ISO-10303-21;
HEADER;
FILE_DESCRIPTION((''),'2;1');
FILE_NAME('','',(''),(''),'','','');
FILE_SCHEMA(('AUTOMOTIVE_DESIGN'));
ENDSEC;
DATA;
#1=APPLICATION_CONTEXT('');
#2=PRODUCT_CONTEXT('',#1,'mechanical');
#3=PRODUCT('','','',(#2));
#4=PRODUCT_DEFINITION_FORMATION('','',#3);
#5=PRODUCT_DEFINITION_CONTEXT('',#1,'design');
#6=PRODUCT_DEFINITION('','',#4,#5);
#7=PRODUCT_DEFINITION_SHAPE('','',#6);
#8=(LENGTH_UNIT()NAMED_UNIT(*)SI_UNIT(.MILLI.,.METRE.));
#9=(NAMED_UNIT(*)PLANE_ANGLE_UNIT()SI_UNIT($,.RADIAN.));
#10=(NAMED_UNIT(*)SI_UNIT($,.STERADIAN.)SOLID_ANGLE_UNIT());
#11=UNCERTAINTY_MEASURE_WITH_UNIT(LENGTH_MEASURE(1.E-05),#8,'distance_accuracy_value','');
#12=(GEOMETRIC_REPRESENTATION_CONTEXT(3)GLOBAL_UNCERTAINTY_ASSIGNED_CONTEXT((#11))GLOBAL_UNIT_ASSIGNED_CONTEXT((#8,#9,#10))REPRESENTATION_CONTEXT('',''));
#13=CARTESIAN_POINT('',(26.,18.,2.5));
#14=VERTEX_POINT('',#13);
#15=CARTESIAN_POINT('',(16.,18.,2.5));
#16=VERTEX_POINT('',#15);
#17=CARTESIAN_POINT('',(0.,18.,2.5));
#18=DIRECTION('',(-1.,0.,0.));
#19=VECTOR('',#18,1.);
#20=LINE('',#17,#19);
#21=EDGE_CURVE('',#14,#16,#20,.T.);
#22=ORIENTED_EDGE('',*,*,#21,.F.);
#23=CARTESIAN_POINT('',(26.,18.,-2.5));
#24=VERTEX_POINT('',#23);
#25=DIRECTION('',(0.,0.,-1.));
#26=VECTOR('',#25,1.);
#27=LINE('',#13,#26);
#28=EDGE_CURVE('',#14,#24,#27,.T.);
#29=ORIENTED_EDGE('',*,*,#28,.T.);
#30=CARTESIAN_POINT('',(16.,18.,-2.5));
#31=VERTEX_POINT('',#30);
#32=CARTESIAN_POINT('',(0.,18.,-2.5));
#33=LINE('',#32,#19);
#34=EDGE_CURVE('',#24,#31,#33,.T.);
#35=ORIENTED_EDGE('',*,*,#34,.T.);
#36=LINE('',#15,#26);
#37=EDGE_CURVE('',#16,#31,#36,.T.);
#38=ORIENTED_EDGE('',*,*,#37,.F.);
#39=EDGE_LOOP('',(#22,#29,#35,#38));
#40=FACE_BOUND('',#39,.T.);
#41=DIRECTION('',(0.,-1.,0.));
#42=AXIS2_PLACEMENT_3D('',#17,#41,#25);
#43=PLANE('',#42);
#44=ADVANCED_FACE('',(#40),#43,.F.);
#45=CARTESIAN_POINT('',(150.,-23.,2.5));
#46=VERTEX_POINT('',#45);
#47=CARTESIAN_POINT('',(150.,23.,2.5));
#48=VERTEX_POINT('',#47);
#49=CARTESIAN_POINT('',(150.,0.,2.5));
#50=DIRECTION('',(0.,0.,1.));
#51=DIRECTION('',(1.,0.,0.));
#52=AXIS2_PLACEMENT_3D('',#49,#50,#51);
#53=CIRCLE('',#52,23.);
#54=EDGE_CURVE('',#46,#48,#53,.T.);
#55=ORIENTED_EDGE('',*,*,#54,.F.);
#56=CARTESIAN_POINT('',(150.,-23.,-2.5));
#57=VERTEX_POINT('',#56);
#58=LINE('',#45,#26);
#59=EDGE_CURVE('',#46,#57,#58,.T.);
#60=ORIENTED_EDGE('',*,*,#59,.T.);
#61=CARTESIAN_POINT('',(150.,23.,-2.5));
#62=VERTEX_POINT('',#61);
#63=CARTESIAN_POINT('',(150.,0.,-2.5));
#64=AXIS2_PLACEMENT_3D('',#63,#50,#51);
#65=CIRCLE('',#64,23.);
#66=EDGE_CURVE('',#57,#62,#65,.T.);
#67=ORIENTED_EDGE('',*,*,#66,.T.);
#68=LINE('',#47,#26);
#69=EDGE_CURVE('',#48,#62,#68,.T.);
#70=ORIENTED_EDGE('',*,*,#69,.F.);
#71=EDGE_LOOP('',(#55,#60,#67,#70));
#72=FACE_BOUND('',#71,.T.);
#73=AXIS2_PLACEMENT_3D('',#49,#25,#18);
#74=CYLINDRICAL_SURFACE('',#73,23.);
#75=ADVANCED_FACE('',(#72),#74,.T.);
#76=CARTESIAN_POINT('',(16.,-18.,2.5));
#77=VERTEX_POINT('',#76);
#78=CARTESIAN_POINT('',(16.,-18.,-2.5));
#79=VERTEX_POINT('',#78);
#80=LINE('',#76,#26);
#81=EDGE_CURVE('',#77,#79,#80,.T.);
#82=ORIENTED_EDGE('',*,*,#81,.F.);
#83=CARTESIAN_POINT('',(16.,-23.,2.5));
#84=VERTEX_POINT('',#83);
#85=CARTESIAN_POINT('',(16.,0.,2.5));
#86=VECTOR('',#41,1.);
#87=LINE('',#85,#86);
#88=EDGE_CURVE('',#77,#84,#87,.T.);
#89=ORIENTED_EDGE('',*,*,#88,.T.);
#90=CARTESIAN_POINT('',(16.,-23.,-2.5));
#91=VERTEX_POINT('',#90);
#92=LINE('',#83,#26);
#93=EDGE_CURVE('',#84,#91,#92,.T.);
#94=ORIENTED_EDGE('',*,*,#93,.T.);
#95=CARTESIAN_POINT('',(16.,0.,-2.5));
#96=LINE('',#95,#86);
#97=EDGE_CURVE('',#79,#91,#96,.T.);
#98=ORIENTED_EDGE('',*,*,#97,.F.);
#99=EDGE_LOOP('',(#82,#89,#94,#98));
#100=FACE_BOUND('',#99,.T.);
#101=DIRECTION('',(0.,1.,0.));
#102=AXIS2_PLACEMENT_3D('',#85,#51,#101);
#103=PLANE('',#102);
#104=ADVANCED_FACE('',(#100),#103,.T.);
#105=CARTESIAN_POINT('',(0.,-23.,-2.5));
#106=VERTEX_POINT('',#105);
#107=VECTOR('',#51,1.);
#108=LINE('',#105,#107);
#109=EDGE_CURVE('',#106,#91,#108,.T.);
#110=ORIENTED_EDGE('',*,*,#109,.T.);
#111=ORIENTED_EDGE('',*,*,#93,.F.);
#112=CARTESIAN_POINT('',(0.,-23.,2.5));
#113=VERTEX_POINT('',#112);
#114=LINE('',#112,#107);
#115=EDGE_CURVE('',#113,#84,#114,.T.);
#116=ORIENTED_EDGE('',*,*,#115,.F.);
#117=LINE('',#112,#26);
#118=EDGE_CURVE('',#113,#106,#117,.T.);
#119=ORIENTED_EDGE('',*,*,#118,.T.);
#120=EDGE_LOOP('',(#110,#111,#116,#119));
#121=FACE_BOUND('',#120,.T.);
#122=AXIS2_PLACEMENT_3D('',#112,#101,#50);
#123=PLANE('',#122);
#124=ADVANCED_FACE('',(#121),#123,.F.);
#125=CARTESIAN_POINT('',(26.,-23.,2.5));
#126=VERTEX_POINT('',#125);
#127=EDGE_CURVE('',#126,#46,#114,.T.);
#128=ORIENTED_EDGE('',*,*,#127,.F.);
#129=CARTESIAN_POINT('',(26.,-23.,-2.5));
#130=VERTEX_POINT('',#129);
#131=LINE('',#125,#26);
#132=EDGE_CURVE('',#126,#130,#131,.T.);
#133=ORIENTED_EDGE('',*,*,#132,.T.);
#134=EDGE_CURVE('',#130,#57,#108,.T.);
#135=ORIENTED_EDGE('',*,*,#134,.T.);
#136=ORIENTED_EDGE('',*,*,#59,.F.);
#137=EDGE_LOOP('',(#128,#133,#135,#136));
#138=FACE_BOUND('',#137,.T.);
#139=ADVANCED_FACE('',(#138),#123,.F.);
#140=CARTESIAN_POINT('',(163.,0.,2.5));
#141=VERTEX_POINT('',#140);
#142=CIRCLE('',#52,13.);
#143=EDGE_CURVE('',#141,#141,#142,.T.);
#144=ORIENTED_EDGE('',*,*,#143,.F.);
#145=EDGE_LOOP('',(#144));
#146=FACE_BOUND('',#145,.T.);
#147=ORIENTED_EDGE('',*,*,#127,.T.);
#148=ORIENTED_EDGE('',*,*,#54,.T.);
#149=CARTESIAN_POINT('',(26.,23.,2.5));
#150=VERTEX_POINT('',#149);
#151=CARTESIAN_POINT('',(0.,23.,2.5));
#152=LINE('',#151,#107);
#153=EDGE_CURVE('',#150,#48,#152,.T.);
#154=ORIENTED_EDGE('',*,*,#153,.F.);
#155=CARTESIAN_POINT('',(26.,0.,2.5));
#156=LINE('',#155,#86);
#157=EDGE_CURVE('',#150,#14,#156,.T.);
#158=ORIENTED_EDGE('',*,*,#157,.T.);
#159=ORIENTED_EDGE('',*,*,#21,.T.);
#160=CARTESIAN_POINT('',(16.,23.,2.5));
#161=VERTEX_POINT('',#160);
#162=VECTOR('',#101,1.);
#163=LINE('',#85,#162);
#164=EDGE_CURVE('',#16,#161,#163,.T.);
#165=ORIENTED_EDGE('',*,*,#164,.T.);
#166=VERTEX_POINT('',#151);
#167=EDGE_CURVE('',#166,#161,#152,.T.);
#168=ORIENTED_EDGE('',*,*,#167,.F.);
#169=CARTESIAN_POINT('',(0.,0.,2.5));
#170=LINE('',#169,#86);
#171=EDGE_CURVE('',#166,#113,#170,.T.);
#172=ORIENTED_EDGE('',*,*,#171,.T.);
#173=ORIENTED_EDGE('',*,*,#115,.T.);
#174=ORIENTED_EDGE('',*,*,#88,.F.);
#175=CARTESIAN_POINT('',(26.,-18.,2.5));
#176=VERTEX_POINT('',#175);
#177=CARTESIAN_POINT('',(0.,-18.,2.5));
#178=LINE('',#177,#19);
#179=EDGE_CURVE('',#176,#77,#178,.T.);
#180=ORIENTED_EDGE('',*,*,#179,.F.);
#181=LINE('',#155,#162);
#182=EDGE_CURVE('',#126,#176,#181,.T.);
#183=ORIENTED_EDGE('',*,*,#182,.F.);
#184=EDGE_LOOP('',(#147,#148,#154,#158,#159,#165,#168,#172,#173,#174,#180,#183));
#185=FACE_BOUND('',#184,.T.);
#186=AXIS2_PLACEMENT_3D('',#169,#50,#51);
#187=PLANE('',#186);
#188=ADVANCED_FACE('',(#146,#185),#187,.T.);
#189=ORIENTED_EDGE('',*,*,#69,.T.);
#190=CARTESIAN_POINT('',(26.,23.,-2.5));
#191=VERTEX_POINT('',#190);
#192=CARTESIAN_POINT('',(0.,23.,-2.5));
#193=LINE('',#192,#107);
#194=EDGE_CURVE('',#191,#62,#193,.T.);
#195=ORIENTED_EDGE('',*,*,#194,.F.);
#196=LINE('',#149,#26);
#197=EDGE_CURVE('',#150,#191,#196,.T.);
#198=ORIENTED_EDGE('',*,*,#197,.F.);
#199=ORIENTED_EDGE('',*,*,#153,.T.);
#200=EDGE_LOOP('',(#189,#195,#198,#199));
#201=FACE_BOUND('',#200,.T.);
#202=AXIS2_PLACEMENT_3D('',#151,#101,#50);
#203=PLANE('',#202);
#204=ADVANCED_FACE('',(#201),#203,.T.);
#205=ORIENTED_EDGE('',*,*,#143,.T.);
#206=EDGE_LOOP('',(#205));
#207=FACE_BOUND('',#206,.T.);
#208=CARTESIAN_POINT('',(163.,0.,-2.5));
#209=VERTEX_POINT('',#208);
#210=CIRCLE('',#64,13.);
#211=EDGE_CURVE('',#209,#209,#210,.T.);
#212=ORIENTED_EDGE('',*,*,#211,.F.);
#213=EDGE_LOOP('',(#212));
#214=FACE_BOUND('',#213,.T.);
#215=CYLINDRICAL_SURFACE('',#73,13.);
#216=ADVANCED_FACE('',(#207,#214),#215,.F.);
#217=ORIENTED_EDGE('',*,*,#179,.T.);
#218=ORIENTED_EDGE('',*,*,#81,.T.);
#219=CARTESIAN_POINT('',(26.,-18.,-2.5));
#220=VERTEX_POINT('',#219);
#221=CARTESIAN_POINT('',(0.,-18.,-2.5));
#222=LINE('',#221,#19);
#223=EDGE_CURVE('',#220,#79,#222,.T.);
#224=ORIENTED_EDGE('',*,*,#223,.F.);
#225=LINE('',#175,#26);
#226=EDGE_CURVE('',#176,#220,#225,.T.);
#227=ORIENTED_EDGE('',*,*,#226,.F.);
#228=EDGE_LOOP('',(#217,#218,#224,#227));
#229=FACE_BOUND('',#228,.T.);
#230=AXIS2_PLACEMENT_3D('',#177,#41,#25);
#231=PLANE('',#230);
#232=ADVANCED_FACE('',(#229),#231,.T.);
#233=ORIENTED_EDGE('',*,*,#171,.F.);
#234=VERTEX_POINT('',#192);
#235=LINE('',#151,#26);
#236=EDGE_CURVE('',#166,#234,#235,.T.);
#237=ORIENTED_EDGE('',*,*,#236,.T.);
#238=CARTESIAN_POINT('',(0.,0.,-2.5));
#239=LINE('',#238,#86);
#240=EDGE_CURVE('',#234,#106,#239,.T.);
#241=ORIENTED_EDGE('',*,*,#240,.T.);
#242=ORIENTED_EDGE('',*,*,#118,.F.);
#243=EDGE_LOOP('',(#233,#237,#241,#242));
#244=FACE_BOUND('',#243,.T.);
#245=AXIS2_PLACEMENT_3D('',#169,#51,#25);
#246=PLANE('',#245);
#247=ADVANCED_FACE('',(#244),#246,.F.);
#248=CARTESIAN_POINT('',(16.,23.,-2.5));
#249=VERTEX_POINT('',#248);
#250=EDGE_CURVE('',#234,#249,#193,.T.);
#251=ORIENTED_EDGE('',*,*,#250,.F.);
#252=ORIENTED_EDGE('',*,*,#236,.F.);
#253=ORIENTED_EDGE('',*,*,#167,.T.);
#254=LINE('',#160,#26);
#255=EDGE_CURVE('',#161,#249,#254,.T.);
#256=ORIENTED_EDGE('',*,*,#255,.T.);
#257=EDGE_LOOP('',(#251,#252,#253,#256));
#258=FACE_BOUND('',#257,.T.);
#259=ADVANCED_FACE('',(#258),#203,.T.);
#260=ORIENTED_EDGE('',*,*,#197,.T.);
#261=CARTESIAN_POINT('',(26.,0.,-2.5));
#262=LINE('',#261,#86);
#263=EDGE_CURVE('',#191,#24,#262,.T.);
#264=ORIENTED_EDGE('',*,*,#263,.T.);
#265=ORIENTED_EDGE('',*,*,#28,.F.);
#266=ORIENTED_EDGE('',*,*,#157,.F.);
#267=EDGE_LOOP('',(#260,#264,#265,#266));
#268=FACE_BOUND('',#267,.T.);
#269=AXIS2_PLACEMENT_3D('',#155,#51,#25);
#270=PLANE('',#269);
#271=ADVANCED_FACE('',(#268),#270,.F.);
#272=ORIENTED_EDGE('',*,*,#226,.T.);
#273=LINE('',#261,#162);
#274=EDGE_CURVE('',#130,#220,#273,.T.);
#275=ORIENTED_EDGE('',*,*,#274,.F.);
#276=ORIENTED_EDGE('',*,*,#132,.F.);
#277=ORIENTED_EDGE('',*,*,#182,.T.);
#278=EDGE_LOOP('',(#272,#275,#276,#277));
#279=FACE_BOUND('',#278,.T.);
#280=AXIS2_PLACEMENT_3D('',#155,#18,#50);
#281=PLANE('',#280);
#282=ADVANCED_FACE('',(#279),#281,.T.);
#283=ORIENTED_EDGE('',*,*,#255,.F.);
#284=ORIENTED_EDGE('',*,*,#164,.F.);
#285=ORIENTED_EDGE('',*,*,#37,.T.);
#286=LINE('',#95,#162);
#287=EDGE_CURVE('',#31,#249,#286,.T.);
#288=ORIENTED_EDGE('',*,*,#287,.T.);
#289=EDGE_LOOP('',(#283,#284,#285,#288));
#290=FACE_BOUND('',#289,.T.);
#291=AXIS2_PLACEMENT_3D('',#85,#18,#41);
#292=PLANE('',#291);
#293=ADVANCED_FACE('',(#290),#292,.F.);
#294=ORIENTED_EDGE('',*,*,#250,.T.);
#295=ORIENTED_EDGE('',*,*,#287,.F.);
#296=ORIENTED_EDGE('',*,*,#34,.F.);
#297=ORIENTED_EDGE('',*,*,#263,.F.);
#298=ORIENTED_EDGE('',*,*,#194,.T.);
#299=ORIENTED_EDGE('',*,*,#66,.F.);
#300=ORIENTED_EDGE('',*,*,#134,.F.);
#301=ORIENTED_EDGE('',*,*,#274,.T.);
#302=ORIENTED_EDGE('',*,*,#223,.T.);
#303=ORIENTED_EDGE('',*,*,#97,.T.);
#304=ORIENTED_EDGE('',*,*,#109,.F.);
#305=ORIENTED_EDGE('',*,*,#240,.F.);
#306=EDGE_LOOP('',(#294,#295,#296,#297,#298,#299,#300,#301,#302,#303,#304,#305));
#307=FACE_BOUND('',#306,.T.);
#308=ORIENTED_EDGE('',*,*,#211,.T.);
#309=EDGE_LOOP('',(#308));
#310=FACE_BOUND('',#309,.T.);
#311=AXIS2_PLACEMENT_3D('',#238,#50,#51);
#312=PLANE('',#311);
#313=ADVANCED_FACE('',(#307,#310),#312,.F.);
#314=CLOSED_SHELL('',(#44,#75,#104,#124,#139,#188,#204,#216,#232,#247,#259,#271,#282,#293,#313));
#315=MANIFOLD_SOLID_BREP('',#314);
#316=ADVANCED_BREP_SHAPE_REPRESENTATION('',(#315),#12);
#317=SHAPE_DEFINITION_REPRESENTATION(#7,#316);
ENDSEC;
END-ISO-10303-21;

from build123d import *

# Parameters (mm, degrees)
SKETCH1_R           = 13
BOSS_EXTRUDE1_DEPTH = 2.5


with BuildPart() as part:
    # Sketch1 → Boss-Extrude1 (new, symmetric)
    with BuildSketch(Plane.XY):
        with BuildLine():
            Line((16, 23), (0, 23))
            Line((0, 23), (0, -23))
            Line((0, -23), (16, -23))
            Line((16, -23), (16, -18))
            Line((16, -18), (26, -18))
            Line((26, -18), (26, -23))
            Line((26, -23), (150, -23))
            ThreePointArc((150, -23), (173, 0), (150, 23))
            Line((150, 23), (26, 23))
            Line((26, 23), (26, 18))
            Line((26, 18), (16, 18))
            Line((16, 18), (16, 23))
        make_face()
        with Locations((150, 0)):
            Circle(SKETCH1_R, mode=Mode.SUBTRACT)
    extrude(amount=BOSS_EXTRUDE1_DEPTH, both=True)


solid = part.part
